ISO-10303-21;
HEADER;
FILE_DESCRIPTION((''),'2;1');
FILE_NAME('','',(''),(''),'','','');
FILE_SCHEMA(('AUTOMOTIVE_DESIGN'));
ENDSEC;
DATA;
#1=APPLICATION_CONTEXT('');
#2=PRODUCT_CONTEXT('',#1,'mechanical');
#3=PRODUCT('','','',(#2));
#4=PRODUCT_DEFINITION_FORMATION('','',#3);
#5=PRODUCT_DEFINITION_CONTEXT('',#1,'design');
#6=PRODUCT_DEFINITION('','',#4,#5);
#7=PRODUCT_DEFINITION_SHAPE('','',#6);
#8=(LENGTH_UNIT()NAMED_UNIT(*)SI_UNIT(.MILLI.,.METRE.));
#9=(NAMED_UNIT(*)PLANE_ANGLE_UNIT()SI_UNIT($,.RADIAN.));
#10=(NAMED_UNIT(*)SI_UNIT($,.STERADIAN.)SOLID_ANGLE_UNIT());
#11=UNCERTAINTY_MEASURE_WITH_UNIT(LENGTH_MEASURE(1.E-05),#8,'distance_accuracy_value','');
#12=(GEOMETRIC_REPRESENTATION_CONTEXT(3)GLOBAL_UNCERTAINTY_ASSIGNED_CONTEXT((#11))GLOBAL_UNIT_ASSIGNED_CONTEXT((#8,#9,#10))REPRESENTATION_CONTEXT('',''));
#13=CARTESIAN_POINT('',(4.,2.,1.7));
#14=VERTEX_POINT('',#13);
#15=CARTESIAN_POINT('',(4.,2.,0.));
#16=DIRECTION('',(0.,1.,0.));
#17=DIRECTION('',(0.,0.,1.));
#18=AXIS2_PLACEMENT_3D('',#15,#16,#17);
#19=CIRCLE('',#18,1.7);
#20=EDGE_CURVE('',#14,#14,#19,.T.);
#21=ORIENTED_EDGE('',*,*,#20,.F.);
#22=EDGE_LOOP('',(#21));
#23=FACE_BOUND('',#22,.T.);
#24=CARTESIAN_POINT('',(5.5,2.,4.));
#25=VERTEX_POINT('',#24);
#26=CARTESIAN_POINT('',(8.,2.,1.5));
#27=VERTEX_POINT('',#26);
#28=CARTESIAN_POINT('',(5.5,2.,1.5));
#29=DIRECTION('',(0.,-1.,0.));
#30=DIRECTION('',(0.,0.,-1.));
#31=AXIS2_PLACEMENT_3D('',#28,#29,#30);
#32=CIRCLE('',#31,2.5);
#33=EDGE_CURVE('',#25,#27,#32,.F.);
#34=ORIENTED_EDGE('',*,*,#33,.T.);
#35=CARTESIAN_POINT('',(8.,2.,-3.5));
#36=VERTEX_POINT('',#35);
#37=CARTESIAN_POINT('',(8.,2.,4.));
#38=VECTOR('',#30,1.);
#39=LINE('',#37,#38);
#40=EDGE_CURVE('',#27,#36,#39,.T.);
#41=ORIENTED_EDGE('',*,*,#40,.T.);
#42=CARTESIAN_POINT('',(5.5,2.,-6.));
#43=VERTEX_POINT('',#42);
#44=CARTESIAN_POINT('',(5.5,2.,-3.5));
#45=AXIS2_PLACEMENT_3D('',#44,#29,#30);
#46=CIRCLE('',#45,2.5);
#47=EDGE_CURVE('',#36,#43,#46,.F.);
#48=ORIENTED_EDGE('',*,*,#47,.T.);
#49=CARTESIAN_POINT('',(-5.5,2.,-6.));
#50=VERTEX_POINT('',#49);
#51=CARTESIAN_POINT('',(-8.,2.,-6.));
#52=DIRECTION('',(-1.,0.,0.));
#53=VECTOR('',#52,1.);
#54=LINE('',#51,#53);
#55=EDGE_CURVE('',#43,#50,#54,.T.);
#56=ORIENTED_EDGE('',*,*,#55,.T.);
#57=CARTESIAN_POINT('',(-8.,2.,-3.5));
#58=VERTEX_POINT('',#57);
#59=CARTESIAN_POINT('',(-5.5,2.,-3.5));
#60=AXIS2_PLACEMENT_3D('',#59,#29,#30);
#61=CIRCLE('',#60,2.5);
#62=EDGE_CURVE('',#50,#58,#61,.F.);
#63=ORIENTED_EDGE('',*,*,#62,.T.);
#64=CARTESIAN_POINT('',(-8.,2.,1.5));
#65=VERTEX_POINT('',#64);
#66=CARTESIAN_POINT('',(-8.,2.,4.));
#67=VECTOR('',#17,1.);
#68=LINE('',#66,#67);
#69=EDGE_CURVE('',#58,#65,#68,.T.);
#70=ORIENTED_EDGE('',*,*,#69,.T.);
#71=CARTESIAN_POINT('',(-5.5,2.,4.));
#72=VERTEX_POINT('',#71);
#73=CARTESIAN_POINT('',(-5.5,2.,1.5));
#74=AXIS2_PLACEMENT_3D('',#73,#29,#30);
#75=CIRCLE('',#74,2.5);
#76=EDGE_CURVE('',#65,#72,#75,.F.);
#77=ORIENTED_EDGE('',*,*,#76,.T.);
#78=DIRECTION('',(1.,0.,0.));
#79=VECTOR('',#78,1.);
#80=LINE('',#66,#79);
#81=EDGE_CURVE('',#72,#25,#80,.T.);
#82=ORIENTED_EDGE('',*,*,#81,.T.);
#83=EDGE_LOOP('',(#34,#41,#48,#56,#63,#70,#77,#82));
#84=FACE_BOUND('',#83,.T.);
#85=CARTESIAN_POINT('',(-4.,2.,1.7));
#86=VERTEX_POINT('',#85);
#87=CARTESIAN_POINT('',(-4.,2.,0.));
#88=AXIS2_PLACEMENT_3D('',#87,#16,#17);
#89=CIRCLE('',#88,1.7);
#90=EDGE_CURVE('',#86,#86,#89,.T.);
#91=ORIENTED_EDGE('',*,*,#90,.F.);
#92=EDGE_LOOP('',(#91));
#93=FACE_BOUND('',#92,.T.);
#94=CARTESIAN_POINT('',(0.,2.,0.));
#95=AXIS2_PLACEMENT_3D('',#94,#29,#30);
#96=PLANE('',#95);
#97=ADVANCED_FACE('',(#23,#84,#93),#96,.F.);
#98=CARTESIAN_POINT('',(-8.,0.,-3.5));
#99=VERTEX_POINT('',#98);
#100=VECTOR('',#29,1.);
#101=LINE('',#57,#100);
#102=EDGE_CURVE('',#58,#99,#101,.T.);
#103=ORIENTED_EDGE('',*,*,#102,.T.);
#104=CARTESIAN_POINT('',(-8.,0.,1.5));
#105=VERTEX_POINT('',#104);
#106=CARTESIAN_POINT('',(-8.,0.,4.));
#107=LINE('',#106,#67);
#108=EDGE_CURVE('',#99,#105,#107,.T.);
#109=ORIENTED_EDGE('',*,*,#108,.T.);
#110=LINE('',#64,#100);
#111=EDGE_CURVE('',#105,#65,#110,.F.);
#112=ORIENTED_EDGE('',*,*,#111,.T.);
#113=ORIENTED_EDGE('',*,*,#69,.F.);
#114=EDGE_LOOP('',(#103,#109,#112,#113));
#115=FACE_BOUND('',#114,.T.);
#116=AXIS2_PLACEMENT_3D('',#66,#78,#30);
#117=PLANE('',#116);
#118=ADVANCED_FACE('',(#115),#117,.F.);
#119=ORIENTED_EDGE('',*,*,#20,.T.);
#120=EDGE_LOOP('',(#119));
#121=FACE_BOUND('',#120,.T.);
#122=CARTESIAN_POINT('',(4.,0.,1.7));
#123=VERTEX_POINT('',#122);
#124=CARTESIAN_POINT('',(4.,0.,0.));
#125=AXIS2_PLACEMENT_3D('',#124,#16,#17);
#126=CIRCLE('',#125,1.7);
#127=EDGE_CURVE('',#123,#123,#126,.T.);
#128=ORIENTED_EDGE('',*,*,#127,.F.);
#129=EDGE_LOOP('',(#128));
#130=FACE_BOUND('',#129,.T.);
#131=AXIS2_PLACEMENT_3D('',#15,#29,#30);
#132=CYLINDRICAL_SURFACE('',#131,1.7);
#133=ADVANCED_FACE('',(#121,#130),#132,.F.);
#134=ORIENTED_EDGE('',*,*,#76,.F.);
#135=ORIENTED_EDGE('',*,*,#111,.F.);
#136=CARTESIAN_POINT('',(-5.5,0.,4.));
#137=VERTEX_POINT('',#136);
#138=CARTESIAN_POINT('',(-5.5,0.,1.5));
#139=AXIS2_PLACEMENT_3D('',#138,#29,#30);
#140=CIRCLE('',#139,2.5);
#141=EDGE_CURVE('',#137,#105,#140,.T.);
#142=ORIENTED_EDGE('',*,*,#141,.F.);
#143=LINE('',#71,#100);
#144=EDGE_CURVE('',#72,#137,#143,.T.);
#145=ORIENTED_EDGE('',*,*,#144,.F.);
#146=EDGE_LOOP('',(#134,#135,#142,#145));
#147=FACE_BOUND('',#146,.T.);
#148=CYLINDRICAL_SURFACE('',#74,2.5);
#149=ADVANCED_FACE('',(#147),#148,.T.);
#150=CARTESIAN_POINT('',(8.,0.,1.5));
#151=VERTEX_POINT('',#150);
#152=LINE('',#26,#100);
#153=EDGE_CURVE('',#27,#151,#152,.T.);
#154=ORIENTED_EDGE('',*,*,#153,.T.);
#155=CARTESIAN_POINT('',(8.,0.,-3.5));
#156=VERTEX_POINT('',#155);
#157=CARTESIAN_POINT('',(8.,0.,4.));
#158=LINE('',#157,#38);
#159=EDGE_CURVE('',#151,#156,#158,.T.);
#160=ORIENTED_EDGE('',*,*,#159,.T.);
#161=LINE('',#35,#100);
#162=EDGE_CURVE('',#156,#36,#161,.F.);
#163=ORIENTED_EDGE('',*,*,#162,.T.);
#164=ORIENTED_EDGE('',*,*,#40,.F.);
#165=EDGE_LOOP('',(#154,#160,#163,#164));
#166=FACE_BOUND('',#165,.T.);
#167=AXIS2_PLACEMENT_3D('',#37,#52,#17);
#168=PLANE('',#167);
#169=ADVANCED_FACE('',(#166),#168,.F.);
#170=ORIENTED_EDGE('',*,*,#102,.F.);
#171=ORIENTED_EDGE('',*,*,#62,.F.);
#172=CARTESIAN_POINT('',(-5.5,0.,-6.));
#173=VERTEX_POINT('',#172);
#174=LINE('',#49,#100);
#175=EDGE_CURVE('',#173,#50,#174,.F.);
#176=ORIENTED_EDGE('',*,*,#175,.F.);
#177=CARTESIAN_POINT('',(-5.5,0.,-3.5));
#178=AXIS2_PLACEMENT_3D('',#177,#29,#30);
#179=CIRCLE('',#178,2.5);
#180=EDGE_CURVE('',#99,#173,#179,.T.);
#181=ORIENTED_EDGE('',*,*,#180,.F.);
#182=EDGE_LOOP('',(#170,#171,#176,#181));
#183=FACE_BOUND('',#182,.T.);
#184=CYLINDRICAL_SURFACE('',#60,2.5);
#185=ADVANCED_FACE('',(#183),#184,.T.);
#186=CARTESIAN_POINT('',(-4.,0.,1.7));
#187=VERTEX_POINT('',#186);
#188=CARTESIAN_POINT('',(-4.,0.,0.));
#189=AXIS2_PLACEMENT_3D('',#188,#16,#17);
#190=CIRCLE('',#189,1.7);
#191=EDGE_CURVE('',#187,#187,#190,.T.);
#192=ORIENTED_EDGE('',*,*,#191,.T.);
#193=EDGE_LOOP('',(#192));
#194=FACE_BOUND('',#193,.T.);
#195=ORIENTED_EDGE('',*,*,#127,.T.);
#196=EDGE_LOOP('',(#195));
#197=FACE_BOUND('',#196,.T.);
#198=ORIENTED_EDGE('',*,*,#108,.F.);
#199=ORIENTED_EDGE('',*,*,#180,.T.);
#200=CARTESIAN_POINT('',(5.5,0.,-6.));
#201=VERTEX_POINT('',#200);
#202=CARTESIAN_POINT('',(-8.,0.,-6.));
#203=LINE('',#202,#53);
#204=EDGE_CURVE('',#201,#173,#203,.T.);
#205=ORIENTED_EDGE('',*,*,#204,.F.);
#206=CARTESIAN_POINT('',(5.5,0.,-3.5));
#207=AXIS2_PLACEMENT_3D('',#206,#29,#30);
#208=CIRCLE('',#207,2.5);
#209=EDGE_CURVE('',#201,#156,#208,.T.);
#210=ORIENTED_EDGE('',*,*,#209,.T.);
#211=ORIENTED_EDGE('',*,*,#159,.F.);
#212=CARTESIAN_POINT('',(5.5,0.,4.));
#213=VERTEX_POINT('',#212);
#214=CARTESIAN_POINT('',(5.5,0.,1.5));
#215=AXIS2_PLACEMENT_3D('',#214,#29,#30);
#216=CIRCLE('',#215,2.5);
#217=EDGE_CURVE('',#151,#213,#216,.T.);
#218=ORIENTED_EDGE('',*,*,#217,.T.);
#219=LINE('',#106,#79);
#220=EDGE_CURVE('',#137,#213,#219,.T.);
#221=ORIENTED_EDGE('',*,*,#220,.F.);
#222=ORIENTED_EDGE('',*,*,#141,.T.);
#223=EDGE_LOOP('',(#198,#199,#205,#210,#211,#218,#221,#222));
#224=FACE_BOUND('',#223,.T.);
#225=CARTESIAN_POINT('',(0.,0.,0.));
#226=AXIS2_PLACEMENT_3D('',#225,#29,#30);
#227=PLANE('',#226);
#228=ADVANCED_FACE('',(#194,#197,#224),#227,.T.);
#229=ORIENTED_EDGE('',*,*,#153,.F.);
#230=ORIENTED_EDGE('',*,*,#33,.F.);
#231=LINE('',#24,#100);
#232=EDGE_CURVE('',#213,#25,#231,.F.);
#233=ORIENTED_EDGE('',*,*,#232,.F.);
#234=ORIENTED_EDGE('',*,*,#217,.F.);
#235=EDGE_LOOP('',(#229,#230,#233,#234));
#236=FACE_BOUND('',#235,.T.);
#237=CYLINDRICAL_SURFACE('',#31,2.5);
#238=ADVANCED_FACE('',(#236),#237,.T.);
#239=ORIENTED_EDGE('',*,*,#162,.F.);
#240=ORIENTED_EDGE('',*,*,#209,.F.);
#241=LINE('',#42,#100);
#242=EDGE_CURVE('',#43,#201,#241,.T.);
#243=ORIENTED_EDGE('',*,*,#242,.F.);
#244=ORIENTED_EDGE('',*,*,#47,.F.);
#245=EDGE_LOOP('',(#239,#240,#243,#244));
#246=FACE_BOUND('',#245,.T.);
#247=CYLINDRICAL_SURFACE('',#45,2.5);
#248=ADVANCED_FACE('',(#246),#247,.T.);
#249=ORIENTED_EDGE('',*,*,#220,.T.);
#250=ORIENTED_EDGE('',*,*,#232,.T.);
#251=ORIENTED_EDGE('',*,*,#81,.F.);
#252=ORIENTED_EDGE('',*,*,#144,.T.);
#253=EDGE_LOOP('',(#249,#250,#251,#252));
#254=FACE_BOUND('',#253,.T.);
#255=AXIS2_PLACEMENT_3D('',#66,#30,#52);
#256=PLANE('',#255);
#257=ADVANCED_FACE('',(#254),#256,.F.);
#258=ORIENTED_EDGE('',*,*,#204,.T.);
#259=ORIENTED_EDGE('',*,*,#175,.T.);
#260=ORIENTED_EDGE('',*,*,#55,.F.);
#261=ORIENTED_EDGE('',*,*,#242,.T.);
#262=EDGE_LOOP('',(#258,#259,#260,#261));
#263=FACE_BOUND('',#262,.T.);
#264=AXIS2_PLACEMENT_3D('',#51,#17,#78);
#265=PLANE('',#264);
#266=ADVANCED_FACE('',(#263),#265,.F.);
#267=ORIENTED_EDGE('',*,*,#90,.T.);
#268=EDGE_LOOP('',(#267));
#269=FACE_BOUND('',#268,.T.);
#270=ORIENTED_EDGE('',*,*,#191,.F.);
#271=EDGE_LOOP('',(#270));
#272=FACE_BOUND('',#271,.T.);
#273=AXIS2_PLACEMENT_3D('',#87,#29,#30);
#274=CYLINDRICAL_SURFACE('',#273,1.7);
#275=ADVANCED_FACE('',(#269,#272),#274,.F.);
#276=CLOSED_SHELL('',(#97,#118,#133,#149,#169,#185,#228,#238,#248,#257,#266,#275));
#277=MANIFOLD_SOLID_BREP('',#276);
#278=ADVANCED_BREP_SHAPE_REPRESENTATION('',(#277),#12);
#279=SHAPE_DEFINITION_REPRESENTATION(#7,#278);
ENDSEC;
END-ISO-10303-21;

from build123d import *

# Parameters (mm, degrees)
SKETCH1_W           = 16
SKETCH1_H           = 10
SKETCH1_R           = 1.7
BOSS_EXTRUDE1_DEPTH = 2
FILLET1_R           = 2.5


with BuildPart() as part:
    # Sketch1 → Boss-Extrude1 (new body)
    with BuildSketch(Plane(origin=(0, 0, 0), x_dir=(1, 0, 0), z_dir=(0, 1, 0))):
        with Locations((0, 1)):
            Rectangle(SKETCH1_W, SKETCH1_H)
        with Locations(Location((-4, 0, 0), (0, 0, 270))):
            Circle(SKETCH1_R, mode=Mode.SUBTRACT)
        with Locations(Location((4, 0, 0), (0, 0, 270))):
            Circle(SKETCH1_R, mode=Mode.SUBTRACT)
    extrude(amount=BOSS_EXTRUDE1_DEPTH)

    # Fillet1
    fillet1_edges = [part.edges().sort_by_distance(p)[0] for p in [
        (8, 1, 4),
        (-8, 1, 4),
        (-8, 1, -6),
        (8, 1, -6),
    ]]
    fillet(fillet1_edges, radius=FILLET1_R)


solid = part.part
